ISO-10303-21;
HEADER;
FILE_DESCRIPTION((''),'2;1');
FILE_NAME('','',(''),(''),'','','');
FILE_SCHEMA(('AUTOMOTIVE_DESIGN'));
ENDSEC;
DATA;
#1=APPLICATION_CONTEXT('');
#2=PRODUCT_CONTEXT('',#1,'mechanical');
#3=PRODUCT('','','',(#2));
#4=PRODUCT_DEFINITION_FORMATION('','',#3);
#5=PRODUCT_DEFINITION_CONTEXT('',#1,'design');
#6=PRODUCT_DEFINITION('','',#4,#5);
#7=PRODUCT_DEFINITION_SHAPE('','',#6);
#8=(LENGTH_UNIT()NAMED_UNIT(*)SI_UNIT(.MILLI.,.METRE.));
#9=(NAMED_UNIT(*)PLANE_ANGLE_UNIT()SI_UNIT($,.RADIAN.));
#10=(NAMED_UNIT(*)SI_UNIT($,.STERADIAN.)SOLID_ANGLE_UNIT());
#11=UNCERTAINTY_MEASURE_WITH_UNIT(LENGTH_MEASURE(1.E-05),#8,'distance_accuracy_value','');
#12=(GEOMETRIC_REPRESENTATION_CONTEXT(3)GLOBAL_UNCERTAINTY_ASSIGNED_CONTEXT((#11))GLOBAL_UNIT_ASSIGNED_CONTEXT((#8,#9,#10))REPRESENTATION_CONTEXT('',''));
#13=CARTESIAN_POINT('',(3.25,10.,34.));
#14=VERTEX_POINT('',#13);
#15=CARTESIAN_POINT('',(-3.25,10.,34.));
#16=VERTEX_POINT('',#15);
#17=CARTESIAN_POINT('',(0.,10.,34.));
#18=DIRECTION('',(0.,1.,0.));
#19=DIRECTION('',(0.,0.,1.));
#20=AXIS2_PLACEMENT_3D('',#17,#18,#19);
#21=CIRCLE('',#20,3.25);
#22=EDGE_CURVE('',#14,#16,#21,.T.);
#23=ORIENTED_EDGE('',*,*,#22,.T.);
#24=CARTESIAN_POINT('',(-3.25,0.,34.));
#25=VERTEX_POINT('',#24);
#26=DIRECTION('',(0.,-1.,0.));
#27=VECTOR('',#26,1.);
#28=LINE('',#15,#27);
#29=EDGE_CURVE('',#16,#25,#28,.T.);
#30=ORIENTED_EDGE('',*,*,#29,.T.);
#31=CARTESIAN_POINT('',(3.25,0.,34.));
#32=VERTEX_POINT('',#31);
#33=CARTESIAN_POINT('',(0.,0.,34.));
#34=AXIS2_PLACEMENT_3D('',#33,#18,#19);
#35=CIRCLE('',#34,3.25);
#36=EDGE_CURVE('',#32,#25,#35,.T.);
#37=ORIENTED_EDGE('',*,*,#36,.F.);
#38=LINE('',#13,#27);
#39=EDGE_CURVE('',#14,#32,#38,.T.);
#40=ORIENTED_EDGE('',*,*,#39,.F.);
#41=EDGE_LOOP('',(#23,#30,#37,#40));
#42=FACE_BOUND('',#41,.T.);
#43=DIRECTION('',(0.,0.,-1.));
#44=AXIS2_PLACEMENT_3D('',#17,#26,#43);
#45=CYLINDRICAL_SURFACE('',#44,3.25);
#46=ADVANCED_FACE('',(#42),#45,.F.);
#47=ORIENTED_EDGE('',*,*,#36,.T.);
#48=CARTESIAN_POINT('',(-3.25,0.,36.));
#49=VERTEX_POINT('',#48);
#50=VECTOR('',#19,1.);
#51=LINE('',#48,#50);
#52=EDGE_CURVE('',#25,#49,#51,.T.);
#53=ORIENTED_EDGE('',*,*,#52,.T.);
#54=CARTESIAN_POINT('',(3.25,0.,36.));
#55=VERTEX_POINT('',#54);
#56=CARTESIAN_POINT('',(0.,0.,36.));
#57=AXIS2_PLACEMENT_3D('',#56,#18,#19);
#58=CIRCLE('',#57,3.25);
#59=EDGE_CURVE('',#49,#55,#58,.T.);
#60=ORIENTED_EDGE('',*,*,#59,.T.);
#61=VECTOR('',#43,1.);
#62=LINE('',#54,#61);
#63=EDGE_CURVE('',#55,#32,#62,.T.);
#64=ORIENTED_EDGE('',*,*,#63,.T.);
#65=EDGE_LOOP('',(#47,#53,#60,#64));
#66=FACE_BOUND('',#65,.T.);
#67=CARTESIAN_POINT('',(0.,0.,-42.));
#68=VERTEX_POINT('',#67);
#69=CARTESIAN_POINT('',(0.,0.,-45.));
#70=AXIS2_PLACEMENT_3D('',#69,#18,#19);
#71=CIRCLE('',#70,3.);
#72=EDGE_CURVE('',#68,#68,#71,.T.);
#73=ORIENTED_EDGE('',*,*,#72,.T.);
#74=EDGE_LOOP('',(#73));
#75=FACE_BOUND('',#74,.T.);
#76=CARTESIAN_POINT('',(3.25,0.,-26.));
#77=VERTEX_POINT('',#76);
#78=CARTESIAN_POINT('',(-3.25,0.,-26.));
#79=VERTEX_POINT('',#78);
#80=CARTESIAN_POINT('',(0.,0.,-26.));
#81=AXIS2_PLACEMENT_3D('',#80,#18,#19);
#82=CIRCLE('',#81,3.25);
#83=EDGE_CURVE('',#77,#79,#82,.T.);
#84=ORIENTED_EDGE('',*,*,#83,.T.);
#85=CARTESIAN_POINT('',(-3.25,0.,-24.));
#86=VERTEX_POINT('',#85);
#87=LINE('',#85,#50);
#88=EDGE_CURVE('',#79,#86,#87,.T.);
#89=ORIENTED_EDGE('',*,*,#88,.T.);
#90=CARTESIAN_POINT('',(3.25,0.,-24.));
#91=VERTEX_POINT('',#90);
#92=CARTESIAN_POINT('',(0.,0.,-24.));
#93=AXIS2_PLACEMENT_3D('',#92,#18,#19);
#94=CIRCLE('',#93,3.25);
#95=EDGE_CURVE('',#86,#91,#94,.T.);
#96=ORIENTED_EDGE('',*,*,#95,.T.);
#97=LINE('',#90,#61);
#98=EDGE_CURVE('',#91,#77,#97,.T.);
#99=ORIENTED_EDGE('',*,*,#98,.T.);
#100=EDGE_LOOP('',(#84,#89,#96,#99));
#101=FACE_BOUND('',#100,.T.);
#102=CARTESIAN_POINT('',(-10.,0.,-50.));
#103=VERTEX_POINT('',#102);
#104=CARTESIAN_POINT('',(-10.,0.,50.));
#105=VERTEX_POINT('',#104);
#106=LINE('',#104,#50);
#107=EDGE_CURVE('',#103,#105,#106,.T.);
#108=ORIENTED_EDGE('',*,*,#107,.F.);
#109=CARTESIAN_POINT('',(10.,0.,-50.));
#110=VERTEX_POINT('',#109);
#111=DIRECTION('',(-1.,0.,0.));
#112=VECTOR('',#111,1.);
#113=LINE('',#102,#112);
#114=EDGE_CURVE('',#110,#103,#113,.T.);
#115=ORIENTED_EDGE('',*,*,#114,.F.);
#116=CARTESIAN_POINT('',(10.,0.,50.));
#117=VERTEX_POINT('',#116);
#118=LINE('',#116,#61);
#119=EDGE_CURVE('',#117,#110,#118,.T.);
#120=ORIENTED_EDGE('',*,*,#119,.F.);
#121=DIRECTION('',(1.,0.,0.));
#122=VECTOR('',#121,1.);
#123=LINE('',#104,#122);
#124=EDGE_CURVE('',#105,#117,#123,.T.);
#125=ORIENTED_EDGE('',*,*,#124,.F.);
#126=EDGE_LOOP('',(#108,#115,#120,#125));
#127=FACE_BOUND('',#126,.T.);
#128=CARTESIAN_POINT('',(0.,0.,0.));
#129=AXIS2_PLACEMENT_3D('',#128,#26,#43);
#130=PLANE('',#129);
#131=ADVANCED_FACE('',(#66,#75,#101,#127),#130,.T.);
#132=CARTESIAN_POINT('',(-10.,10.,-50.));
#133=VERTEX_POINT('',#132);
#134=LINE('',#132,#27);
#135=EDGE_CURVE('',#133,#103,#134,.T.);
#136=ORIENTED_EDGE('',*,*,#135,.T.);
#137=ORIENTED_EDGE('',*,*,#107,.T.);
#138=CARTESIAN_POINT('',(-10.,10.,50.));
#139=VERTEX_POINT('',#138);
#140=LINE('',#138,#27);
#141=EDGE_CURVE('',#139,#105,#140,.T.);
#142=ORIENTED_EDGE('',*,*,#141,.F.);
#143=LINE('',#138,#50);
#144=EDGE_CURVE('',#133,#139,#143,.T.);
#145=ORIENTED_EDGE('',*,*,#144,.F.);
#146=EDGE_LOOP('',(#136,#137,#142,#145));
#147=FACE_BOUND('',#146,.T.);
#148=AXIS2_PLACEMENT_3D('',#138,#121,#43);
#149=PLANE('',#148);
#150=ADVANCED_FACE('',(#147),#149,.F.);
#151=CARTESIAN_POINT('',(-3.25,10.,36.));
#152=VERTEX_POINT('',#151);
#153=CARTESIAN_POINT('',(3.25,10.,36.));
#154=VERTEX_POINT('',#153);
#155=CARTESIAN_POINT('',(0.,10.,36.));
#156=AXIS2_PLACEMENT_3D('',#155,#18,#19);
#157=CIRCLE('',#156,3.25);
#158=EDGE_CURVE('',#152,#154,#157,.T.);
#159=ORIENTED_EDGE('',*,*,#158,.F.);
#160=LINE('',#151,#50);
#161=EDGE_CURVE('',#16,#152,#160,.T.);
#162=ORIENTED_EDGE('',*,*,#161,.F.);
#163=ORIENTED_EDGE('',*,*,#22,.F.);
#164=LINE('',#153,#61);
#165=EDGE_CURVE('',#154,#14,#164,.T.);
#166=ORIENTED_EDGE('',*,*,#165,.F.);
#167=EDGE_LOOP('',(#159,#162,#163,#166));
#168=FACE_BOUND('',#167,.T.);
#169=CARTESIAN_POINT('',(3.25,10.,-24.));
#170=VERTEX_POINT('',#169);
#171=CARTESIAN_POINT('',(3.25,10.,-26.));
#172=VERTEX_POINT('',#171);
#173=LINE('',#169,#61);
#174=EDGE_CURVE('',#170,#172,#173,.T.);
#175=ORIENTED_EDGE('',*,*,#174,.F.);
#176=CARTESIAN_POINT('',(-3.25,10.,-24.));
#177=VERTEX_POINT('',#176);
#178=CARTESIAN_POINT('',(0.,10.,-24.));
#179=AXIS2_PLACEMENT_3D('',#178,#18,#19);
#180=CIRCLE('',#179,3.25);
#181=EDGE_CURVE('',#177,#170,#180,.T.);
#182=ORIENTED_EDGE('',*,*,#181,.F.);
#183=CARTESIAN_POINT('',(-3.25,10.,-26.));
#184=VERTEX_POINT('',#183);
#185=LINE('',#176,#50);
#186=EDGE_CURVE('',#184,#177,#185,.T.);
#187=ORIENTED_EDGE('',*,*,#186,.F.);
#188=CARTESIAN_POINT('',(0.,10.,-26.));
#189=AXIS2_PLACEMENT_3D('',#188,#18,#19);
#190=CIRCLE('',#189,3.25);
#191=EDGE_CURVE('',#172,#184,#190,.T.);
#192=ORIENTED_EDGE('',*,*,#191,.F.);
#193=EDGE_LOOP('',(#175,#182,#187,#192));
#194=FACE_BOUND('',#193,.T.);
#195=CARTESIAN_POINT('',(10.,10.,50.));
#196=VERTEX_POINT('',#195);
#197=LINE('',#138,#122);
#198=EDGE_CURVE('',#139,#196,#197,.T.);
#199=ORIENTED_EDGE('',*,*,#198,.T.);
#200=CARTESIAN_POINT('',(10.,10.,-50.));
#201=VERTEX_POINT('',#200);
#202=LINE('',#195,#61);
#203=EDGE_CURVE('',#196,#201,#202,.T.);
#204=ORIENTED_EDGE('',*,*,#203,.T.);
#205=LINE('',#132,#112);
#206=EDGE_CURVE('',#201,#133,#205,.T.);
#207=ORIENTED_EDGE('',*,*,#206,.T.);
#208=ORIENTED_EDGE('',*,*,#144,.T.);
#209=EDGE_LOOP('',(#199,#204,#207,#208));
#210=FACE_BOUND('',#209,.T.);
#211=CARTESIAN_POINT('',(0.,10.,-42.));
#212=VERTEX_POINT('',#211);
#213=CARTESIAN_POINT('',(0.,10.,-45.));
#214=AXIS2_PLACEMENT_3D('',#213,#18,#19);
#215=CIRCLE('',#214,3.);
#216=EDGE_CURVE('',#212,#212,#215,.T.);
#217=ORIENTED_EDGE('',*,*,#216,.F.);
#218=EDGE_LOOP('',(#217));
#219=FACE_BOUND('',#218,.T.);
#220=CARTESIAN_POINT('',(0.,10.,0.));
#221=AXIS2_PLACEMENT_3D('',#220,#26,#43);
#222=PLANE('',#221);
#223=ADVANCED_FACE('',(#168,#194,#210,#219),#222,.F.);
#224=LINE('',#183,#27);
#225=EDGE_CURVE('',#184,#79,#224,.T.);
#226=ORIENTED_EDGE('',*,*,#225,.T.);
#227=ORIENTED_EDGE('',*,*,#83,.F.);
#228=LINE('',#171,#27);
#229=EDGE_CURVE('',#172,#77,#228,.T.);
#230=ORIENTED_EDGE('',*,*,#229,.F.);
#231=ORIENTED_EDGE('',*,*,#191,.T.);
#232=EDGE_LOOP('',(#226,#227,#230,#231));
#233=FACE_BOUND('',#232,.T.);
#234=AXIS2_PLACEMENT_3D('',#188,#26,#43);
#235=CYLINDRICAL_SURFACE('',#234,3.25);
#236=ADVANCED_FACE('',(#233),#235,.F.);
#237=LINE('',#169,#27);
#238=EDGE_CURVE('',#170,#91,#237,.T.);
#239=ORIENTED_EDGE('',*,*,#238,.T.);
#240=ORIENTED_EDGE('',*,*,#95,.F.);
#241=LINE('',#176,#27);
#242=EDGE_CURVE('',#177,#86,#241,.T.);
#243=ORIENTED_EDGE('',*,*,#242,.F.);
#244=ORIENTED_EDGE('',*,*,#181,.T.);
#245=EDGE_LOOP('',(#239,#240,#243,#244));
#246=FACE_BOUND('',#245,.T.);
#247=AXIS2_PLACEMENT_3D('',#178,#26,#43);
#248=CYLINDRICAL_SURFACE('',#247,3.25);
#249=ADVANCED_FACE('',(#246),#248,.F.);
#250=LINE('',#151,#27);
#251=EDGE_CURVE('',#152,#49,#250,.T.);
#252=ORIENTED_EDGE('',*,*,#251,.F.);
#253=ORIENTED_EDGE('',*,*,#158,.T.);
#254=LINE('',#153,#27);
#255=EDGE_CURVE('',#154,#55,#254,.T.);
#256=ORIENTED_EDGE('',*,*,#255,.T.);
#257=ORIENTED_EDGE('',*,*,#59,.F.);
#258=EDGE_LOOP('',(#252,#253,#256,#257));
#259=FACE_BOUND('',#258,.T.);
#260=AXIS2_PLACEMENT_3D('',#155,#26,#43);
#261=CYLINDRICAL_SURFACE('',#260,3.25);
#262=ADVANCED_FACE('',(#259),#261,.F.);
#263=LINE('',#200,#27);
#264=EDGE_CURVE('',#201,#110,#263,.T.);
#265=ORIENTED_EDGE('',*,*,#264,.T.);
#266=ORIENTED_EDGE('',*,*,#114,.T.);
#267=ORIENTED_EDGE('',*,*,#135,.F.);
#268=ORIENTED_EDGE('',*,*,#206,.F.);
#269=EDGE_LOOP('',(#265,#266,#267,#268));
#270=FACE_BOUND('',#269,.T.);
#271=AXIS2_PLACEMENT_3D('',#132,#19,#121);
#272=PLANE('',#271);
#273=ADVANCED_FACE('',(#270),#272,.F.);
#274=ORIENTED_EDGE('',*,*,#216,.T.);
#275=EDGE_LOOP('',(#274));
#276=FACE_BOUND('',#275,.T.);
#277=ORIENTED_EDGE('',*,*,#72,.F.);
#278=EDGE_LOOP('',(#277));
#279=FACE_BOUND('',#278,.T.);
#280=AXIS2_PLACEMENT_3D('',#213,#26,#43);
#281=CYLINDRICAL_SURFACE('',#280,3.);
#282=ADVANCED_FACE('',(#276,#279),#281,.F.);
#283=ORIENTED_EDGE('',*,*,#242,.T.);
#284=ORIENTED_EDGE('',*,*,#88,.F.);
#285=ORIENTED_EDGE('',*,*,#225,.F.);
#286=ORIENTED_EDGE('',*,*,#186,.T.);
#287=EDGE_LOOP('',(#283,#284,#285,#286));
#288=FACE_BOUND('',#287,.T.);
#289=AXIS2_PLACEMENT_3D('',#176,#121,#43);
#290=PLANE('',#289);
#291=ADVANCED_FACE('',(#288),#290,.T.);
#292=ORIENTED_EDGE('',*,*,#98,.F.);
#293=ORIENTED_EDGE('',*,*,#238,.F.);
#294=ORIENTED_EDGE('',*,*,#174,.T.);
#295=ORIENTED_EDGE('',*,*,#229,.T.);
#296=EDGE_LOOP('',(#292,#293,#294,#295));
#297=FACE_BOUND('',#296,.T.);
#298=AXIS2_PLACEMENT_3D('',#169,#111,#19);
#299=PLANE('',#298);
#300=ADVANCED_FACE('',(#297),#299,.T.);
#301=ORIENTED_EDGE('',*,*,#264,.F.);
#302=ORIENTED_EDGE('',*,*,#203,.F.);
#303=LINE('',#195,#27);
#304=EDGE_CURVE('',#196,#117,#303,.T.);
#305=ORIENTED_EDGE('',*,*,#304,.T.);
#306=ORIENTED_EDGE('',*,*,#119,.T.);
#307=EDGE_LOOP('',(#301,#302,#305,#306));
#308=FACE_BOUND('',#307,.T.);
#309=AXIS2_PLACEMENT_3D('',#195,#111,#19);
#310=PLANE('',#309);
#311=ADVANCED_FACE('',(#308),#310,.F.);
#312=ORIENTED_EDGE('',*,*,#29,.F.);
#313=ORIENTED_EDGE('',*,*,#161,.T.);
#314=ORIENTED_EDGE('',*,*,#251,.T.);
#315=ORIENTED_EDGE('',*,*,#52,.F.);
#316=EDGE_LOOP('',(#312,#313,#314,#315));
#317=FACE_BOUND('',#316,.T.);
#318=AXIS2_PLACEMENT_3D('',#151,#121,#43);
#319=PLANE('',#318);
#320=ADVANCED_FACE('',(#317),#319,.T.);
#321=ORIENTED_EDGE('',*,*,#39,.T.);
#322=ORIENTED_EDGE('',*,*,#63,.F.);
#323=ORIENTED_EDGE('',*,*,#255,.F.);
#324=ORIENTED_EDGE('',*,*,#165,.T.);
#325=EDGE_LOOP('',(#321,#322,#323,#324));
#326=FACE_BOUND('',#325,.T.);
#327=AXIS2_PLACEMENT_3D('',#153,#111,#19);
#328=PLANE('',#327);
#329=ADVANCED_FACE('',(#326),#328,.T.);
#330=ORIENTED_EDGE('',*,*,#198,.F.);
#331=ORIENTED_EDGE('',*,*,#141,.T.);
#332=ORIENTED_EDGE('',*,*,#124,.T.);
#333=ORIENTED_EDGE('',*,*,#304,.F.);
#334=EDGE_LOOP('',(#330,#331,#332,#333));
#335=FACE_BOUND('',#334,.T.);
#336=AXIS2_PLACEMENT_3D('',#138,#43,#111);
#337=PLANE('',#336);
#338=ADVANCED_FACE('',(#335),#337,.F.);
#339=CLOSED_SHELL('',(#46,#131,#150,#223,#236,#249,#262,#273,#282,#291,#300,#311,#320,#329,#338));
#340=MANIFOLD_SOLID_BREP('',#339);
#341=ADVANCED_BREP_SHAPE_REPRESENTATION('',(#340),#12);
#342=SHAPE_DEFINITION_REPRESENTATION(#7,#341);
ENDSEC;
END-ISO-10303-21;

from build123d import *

# Parameters (mm, degrees)
SKETCH1_W           = 20
SKETCH1_H           = 100
SKETCH1_R           = 3
BOSS_EXTRUDE1_DEPTH = 10


with BuildPart() as part:
    # Sketch1 → Boss-Extrude1 (new body)
    with BuildSketch(Plane(origin=(0, 0, 0), x_dir=(1, 0, 0), z_dir=(0, 1, 0))):
        Rectangle(SKETCH1_W, SKETCH1_H)
        with Locations(Location((0, 45, 0), (0, 0, 270))):
            Circle(SKETCH1_R, mode=Mode.SUBTRACT)
        with BuildLine():
            Line((-3.25, 24), (-3.25, 26))
            ThreePointArc((-3.25, 26), (0, 29.25), (3.25, 26))
            Line((3.25, 26), (3.25, 24))
            ThreePointArc((3.25, 24), (0, 20.75), (-3.25, 24))
        make_face(mode=Mode.SUBTRACT)
        with BuildLine():
            Line((-3.25, -36), (-3.25, -34))
            ThreePointArc((-3.25, -34), (0, -30.75), (3.25, -34))
            Line((3.25, -34), (3.25, -36))
            ThreePointArc((3.25, -36), (0, -39.25), (-3.25, -36))
        make_face(mode=Mode.SUBTRACT)
    extrude(amount=BOSS_EXTRUDE1_DEPTH)


solid = part.part
